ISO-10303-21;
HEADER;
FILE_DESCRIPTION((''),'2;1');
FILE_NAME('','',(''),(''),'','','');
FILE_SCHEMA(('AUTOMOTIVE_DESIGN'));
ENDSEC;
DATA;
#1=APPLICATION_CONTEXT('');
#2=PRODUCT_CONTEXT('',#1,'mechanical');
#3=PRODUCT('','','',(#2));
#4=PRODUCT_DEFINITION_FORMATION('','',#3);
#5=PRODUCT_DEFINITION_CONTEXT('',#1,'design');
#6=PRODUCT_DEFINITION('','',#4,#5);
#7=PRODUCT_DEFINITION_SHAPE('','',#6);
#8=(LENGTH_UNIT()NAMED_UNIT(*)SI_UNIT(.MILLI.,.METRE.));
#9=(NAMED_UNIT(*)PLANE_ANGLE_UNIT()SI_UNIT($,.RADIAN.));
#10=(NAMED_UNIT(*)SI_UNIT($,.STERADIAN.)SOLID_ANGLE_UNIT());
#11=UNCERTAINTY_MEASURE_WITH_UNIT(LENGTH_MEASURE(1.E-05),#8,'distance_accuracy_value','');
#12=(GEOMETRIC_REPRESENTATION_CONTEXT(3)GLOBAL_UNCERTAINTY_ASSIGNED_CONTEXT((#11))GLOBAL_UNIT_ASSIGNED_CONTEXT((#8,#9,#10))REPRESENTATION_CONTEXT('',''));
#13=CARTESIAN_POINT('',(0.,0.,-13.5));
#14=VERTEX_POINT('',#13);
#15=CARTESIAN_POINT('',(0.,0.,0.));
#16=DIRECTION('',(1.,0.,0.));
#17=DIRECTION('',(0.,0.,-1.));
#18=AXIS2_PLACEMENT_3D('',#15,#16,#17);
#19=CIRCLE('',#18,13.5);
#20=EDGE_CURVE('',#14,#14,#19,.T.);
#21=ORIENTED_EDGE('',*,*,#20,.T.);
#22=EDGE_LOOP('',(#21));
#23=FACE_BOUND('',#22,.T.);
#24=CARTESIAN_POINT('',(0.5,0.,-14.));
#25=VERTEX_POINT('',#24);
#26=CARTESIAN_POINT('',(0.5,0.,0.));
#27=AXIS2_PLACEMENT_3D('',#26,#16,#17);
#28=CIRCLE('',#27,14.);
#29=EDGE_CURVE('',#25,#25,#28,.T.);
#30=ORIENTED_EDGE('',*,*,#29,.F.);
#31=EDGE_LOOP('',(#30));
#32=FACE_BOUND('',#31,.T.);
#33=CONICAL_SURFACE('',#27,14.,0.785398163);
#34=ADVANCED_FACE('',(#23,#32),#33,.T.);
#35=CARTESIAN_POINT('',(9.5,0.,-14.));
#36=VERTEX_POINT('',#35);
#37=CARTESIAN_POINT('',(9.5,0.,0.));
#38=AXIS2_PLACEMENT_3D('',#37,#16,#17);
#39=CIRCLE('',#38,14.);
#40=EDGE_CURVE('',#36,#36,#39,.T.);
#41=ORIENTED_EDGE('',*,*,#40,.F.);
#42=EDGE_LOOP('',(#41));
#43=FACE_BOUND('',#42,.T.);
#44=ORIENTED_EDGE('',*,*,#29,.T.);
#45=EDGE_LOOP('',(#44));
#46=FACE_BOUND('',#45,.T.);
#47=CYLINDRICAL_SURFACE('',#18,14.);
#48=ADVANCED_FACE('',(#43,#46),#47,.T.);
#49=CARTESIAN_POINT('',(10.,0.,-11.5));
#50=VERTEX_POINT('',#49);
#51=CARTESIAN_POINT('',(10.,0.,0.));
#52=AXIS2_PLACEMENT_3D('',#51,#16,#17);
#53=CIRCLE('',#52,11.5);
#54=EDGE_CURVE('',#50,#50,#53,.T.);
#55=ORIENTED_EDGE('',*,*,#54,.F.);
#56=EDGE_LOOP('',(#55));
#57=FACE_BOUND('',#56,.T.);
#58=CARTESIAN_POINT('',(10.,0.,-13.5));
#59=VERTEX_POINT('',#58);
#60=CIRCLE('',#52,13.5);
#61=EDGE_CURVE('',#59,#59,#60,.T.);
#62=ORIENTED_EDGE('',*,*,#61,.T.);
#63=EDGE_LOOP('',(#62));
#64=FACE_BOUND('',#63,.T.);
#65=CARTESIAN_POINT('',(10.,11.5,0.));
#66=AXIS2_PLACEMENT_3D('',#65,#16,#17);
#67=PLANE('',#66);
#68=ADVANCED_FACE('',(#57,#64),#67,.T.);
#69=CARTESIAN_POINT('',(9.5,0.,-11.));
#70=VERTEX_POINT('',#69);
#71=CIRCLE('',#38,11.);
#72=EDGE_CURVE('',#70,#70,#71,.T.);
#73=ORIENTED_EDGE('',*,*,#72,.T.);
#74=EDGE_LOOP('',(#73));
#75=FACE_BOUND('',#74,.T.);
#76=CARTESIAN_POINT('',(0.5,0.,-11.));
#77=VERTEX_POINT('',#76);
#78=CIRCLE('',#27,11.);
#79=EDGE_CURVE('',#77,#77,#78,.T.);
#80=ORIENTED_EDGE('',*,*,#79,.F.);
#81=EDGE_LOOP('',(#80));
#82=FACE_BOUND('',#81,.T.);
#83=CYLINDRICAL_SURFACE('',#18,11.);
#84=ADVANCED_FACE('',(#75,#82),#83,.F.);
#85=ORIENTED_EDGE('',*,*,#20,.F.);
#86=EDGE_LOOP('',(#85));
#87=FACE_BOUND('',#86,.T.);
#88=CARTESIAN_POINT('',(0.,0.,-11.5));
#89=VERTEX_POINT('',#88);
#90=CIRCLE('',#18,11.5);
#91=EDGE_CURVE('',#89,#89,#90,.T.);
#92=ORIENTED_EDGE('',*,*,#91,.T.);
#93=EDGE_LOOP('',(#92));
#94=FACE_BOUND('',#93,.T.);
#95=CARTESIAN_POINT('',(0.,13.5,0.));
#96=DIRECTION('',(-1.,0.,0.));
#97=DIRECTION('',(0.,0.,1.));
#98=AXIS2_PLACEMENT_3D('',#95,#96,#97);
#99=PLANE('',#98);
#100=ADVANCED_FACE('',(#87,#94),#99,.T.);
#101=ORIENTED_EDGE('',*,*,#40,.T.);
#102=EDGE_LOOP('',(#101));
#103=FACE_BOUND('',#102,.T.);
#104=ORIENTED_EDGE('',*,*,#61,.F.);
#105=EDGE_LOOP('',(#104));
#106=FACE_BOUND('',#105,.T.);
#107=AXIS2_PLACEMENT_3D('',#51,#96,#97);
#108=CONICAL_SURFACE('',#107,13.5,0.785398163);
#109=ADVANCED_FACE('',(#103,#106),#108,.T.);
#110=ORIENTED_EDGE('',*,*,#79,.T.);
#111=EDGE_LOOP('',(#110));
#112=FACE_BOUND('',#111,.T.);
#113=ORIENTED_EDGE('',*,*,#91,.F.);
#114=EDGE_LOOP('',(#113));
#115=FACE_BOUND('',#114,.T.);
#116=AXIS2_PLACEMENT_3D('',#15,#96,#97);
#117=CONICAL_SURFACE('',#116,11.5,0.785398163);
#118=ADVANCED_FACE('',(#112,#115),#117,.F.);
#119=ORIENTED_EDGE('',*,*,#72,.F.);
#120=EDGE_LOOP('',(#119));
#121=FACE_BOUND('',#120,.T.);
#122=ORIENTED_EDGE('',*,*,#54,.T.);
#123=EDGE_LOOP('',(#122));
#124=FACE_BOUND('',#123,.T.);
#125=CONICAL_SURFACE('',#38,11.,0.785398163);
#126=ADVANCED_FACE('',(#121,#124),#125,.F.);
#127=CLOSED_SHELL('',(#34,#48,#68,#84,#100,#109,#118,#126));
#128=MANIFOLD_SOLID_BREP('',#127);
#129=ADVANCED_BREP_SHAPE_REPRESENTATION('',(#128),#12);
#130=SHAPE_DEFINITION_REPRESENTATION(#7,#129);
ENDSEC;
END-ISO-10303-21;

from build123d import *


with BuildPart() as part:
    # Эскиз1 → Повернуть1 (revolve)
    with BuildSketch(Plane.XY, mode=Mode.PRIVATE) as revolve_1_sk:
        Polygon((0, 11.5), (0.5, 11), (9.5, 11), (10, 11.5), (10, 13.5), (9.5, 14), (0.5, 14), (0, 13.5), align=None)
    revolve(revolve_1_sk.sketch.rotate(Axis((0, 0, 0), (1, 0, 0)), 270), axis=Axis((0, 0, 0), (1, 0, 0)))


solid = part.part
